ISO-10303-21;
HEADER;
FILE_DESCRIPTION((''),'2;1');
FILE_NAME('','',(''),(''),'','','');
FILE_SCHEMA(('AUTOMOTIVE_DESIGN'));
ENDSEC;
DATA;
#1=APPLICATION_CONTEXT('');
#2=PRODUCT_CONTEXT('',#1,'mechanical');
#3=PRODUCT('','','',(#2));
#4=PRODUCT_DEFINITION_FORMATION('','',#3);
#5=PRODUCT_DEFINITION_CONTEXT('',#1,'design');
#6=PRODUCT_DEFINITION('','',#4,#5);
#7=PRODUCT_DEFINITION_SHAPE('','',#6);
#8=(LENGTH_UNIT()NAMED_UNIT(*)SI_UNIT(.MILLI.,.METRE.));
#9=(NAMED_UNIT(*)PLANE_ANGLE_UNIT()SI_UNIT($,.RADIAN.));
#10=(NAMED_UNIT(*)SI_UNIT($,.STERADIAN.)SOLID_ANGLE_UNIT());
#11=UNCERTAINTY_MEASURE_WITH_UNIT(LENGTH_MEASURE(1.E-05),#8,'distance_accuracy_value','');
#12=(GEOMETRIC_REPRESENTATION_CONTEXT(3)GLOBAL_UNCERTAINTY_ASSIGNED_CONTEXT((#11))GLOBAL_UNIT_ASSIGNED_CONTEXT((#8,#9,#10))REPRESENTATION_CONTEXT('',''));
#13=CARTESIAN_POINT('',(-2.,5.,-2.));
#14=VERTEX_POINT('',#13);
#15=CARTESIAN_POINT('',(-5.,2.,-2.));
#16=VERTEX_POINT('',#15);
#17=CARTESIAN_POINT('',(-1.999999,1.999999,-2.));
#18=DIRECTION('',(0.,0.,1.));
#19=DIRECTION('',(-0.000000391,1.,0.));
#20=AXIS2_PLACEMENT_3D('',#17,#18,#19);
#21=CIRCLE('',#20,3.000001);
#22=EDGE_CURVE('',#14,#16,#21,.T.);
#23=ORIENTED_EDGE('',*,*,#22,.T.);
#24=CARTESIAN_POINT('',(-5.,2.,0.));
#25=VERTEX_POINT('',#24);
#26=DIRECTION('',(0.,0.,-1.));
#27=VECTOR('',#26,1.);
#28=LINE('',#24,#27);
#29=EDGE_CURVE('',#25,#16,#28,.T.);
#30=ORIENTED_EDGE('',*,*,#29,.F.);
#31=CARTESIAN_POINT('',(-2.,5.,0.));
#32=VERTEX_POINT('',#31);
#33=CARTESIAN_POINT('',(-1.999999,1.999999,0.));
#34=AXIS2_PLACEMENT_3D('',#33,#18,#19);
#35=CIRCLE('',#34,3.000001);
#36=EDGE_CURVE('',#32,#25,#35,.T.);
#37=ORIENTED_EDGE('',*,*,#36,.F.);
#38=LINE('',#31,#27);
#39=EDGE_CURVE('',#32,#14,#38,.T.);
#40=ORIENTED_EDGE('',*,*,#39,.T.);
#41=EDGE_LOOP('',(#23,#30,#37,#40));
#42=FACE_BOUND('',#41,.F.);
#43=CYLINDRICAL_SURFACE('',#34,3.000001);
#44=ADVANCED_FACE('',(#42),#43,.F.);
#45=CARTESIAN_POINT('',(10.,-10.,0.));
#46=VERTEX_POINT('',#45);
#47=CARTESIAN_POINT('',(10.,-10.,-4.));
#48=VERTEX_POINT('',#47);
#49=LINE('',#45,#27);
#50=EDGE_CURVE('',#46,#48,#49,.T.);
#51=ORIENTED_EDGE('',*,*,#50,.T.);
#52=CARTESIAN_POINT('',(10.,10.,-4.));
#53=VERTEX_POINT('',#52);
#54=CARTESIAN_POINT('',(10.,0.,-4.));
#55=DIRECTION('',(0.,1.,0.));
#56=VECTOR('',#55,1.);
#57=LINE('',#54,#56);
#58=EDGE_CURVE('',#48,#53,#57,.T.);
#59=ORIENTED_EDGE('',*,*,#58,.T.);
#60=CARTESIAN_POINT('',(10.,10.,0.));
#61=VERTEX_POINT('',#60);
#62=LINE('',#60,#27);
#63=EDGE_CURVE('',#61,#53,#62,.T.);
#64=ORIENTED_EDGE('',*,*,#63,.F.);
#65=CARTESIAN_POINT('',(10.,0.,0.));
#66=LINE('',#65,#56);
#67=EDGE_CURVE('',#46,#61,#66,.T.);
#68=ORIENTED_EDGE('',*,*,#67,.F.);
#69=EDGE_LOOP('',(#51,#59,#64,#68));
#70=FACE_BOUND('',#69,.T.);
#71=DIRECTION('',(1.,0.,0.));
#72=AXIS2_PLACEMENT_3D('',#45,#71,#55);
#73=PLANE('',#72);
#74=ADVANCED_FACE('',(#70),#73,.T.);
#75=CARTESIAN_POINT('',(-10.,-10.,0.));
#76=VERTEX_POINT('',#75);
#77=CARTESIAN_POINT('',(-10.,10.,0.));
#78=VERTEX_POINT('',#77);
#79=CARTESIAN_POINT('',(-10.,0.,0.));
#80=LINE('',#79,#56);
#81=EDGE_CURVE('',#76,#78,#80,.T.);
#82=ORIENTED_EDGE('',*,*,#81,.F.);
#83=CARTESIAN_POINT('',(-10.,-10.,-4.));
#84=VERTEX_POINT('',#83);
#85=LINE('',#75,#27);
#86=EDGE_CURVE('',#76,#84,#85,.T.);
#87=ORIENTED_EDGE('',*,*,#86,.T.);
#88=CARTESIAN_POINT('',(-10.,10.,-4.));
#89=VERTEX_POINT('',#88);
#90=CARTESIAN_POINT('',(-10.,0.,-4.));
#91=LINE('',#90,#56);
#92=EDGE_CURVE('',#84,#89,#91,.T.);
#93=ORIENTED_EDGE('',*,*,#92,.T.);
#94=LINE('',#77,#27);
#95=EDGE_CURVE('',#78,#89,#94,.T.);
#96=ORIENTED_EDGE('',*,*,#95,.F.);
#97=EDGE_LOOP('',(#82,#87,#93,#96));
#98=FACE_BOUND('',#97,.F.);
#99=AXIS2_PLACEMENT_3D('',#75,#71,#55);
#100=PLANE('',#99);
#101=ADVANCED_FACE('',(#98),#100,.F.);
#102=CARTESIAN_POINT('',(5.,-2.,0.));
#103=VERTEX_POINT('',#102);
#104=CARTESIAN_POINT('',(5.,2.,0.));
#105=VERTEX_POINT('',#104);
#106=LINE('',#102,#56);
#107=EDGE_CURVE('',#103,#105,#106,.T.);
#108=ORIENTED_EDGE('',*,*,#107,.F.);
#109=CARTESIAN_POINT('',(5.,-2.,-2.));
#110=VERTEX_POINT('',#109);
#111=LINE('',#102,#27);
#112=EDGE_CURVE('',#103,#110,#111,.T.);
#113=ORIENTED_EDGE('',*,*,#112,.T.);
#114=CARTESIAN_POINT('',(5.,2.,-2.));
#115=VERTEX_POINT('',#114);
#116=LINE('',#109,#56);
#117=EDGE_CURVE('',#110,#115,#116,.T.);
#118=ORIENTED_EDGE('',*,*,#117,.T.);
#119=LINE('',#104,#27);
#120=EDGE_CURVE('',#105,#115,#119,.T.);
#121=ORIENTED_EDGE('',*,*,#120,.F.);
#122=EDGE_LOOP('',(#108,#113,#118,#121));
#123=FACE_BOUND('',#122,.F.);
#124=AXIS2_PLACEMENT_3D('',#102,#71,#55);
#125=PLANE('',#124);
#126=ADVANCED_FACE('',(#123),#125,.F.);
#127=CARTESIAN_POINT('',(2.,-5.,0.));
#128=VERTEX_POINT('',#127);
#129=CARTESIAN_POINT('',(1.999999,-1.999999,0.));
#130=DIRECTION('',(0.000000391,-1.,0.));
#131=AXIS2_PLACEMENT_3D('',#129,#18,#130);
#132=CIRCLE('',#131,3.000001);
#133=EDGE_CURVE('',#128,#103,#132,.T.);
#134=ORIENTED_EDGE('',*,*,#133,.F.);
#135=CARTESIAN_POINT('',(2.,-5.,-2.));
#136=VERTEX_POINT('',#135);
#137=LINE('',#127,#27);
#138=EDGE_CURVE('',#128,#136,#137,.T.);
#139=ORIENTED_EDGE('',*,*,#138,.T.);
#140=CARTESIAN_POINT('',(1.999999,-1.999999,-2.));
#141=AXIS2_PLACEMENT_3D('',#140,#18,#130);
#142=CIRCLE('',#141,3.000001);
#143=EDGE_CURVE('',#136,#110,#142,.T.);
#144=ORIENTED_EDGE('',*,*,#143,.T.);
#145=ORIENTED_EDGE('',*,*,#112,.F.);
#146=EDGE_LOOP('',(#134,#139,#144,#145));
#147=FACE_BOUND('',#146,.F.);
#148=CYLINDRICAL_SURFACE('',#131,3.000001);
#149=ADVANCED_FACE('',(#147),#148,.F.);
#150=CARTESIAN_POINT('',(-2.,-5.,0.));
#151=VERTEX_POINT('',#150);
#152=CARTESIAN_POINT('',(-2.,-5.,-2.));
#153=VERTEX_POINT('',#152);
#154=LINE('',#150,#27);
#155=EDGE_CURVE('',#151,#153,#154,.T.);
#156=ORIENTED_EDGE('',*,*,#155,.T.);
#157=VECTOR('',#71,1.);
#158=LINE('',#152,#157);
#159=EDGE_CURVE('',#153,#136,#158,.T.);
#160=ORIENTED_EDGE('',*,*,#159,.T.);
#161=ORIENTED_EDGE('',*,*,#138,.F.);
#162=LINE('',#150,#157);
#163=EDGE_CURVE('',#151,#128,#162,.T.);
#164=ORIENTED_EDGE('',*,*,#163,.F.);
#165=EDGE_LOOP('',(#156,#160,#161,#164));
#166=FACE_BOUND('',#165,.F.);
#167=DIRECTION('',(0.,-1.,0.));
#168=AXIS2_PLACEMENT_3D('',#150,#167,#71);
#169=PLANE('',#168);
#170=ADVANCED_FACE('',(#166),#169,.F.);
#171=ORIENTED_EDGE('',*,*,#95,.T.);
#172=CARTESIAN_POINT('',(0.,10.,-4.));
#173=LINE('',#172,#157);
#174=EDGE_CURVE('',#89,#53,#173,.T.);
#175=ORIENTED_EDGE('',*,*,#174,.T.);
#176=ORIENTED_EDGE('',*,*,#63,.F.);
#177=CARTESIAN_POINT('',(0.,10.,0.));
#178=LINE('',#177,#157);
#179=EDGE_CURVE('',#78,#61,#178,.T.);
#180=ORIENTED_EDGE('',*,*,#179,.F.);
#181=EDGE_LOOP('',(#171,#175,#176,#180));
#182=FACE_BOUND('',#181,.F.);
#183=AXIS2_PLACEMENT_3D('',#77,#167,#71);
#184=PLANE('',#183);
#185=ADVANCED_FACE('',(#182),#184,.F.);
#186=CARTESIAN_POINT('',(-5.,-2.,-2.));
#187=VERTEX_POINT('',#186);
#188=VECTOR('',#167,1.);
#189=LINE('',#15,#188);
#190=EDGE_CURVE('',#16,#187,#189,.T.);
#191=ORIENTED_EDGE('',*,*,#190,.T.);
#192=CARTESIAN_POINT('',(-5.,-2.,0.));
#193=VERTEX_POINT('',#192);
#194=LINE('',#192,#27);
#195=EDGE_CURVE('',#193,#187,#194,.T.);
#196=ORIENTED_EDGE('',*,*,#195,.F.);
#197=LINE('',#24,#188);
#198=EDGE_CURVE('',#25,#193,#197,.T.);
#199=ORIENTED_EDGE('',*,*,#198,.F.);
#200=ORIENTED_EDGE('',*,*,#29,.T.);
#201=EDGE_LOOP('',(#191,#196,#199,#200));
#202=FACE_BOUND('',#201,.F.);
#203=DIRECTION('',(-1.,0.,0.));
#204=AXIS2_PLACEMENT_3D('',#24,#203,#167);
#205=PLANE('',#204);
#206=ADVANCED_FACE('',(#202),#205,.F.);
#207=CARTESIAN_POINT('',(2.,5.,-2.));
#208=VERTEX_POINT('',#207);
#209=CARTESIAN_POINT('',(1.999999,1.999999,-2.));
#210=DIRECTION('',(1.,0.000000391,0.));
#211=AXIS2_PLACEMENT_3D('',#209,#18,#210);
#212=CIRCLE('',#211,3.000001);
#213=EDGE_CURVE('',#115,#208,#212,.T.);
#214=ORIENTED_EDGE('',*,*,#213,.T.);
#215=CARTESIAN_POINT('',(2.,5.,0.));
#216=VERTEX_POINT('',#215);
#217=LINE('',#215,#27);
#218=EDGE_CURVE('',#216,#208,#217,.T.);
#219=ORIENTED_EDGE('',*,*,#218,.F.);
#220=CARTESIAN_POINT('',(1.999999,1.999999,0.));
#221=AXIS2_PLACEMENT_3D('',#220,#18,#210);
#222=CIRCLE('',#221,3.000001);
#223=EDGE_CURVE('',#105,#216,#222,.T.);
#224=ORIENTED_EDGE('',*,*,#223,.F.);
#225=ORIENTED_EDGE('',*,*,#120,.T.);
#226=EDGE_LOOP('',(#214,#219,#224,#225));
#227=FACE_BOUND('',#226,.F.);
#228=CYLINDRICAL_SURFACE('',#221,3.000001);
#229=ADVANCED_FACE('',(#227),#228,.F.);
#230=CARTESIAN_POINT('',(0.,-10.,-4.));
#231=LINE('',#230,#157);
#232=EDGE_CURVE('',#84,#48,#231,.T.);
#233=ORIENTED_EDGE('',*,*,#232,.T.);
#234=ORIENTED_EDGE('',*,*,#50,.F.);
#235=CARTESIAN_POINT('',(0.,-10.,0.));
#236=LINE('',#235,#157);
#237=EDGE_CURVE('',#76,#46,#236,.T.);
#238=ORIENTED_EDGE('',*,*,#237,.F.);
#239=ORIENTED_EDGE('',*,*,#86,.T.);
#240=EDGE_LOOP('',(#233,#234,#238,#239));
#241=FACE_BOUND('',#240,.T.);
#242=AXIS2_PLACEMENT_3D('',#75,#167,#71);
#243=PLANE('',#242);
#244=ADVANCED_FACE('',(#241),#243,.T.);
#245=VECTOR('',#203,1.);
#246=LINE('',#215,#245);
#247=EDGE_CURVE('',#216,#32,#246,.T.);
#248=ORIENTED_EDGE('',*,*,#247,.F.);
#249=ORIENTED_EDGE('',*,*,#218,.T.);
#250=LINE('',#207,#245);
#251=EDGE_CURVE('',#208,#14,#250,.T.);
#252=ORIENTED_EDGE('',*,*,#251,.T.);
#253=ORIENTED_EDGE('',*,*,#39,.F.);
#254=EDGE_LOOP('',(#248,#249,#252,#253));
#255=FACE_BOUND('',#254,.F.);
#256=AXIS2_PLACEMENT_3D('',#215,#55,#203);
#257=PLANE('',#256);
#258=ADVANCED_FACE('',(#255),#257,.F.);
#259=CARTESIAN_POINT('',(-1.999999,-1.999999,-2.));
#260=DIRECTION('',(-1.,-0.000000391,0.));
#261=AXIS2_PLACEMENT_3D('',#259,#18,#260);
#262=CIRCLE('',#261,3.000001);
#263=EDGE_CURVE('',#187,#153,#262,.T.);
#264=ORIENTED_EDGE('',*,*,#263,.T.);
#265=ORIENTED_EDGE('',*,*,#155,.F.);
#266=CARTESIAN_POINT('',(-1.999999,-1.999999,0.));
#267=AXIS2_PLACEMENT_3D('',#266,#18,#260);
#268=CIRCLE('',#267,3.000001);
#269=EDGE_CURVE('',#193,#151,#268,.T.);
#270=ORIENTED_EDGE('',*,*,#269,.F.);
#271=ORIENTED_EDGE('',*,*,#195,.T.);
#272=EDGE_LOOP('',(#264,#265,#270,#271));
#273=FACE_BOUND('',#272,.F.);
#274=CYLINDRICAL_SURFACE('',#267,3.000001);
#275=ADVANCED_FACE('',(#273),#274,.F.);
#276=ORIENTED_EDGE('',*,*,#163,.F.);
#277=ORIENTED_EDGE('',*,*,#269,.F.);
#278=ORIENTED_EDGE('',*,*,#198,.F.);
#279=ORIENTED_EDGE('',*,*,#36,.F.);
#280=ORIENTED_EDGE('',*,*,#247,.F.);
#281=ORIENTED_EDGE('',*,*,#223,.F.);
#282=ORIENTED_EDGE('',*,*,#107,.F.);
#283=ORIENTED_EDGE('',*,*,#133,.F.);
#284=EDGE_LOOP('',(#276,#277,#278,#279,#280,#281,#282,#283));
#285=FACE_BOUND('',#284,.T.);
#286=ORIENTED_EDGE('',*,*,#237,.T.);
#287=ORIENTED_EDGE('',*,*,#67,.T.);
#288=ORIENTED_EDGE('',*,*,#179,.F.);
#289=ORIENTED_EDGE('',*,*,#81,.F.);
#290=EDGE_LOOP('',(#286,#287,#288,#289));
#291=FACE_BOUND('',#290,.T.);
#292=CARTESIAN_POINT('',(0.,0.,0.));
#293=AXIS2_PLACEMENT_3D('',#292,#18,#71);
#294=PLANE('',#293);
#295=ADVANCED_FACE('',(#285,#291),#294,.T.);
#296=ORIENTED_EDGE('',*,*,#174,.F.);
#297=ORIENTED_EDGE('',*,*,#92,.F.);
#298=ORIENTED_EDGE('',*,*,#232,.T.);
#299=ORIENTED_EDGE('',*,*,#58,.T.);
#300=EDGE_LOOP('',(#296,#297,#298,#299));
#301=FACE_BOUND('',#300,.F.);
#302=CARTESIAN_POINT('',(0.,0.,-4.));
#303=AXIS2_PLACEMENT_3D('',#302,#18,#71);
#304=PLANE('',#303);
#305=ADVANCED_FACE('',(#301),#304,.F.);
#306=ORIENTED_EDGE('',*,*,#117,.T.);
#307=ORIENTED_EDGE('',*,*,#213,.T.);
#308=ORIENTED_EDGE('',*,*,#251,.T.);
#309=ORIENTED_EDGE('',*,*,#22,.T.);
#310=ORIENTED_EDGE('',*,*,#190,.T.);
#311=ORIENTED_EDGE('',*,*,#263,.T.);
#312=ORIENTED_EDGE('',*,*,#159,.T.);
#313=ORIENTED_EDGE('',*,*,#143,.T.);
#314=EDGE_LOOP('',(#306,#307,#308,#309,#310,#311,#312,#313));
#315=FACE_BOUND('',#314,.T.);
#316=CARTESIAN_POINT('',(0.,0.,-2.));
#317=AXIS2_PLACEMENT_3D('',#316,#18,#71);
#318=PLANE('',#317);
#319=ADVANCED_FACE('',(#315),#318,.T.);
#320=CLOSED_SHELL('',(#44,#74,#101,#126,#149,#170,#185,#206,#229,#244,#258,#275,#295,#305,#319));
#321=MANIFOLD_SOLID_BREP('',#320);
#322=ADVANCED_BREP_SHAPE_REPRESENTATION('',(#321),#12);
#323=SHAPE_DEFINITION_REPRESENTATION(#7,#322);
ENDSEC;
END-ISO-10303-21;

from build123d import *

# Parameters (mm, degrees)
F0_W     = 20
F0_H     = 20
F1_DEPTH = 4
F2_DEPTH = 2


with BuildPart() as f1:
    # F0 (on Top) → F1 (new body)
    with BuildSketch(Plane.XY):
        Rectangle(F0_W, F0_H)
        with BuildLine():
            ThreePointArc((-5, 2), (-4.12132, 4.12132), (-2, 5))
            Line((-2, 5), (2, 5))
            ThreePointArc((2, 5), (4.12132, 4.12132), (5, 2))
            Line((5, 2), (5, -2))
            ThreePointArc((5, -2), (4.12132, -4.12132), (2, -5))
            Line((2, -5), (-2, -5))
            ThreePointArc((-2, -5), (-4.12132, -4.12132), (-5, -2))
            Line((-5, -2), (-5, 2))
        make_face(mode=Mode.SUBTRACT)
        with BuildLine():
            Line((2, 5), (-2, 5))
            ThreePointArc((-2, 5), (-4.12132, 4.12132), (-5, 2))
            Line((-5, 2), (-5, -2))
            ThreePointArc((-5, -2), (-4.12132, -4.12132), (-2, -5))
            Line((-2, -5), (2, -5))
            ThreePointArc((2, -5), (4.12132, -4.12132), (5, -2))
            Line((5, -2), (5, 2))
            ThreePointArc((5, 2), (4.12132, 4.12132), (2, 5))
        make_face()
    extrude(amount=-F1_DEPTH)

    # F0 (on Top) → F2 (cut)
    with BuildSketch(Plane.XY):
        with BuildLine():
            Line((2, 5), (-2, 5))
            ThreePointArc((-2, 5), (-4.12132, 4.12132), (-5, 2))
            Line((-5, 2), (-5, -2))
            ThreePointArc((-5, -2), (-4.12132, -4.12132), (-2, -5))
            Line((-2, -5), (2, -5))
            ThreePointArc((2, -5), (4.12132, -4.12132), (5, -2))
            Line((5, -2), (5, 2))
            ThreePointArc((5, 2), (4.12132, 4.12132), (2, 5))
        make_face()
    extrude(amount=-F2_DEPTH, mode=Mode.SUBTRACT)


solid = f1.part
